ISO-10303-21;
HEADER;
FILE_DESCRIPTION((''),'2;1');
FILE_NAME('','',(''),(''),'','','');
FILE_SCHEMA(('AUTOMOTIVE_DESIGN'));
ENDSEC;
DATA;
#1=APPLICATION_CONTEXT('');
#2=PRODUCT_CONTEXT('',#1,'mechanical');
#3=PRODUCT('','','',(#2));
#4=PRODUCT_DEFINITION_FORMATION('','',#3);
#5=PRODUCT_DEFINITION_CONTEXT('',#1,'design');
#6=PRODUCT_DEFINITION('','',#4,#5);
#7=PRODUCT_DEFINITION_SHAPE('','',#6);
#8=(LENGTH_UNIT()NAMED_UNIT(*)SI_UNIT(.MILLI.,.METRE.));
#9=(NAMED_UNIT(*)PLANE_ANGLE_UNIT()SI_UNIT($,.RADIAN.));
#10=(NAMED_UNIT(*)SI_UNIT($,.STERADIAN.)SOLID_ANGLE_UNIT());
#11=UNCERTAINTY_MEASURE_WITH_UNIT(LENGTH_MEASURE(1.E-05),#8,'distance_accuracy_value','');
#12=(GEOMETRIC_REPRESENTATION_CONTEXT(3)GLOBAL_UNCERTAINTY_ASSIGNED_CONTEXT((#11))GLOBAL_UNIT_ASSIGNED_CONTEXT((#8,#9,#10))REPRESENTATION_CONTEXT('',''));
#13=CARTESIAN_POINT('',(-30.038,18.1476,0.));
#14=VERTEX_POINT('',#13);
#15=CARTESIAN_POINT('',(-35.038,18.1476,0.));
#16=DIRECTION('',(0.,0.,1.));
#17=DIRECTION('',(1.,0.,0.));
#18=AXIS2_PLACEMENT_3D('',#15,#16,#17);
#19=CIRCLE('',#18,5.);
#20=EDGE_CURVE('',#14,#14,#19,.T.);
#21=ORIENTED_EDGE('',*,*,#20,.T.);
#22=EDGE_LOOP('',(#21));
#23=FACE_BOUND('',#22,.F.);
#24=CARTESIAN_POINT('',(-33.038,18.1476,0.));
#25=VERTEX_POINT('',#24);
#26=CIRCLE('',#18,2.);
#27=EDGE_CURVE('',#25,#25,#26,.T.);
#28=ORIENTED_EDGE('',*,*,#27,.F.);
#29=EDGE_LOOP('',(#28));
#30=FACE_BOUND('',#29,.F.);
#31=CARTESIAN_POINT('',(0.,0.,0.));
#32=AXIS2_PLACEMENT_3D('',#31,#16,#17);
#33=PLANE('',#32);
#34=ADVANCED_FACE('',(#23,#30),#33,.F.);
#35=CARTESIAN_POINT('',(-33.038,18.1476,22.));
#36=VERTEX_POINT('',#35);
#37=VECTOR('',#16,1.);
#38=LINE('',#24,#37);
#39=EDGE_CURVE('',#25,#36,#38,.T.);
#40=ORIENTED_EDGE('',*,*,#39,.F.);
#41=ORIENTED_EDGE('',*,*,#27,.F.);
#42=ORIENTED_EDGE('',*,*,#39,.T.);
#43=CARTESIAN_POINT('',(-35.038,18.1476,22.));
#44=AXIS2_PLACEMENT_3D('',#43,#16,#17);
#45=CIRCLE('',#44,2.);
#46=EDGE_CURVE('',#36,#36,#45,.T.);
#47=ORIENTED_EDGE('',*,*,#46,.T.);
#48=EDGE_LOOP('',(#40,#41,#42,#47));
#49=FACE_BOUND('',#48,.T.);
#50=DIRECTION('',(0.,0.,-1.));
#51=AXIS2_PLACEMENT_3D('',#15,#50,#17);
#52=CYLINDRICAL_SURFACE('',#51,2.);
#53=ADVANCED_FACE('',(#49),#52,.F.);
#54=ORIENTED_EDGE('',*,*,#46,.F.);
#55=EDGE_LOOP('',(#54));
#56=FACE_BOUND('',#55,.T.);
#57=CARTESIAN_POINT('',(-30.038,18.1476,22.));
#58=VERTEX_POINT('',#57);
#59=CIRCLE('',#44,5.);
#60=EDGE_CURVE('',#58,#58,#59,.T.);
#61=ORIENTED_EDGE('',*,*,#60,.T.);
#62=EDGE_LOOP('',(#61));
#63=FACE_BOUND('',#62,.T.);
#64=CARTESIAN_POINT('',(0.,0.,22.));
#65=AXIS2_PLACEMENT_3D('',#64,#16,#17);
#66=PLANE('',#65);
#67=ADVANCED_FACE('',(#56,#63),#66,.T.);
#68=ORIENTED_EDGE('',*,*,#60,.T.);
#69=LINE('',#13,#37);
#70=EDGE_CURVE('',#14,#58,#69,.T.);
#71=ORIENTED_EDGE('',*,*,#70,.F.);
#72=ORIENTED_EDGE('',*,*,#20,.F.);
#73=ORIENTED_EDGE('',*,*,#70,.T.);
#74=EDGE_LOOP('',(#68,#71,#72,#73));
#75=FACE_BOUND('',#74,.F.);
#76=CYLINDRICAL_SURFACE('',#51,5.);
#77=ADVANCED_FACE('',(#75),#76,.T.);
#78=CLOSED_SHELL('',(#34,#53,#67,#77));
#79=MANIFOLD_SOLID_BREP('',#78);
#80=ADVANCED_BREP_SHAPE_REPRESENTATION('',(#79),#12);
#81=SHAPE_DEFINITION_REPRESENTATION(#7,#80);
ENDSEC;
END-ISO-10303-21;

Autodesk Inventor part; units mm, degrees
ref_plane "YZ Plane" through (0, 0, 0) normal (1, 0, 0) x (0, 1, 0)
ref_plane "XZ Plane" through (0, 0, 0) normal (0, 1, 0) x (-1, 0, 0)
ref_plane "Work Plane1" through (0, 0, 0) normal (0, 0, 1) x (1, 0, 0)
sketch "Sketch1" plane through (0, 0, 0) normal (0, 0, 1) x (1, 0, 0)
  circle A0 centre (-35.038, 18.1476) radius 2
  circle A1 centre (-35.038, 18.1476) radius 5
  point P0 (0, 0)
  dimension "d0" = 10
  dimension "d3" = 4
ref_plane "Work Plane2" through (-41.538, 5.1476, 22) normal (0, 0, -1) x (0, 1, 0)
extrude "Extrusion1" add sketch "Sketch1" along normal up to surface (22 mm away)
